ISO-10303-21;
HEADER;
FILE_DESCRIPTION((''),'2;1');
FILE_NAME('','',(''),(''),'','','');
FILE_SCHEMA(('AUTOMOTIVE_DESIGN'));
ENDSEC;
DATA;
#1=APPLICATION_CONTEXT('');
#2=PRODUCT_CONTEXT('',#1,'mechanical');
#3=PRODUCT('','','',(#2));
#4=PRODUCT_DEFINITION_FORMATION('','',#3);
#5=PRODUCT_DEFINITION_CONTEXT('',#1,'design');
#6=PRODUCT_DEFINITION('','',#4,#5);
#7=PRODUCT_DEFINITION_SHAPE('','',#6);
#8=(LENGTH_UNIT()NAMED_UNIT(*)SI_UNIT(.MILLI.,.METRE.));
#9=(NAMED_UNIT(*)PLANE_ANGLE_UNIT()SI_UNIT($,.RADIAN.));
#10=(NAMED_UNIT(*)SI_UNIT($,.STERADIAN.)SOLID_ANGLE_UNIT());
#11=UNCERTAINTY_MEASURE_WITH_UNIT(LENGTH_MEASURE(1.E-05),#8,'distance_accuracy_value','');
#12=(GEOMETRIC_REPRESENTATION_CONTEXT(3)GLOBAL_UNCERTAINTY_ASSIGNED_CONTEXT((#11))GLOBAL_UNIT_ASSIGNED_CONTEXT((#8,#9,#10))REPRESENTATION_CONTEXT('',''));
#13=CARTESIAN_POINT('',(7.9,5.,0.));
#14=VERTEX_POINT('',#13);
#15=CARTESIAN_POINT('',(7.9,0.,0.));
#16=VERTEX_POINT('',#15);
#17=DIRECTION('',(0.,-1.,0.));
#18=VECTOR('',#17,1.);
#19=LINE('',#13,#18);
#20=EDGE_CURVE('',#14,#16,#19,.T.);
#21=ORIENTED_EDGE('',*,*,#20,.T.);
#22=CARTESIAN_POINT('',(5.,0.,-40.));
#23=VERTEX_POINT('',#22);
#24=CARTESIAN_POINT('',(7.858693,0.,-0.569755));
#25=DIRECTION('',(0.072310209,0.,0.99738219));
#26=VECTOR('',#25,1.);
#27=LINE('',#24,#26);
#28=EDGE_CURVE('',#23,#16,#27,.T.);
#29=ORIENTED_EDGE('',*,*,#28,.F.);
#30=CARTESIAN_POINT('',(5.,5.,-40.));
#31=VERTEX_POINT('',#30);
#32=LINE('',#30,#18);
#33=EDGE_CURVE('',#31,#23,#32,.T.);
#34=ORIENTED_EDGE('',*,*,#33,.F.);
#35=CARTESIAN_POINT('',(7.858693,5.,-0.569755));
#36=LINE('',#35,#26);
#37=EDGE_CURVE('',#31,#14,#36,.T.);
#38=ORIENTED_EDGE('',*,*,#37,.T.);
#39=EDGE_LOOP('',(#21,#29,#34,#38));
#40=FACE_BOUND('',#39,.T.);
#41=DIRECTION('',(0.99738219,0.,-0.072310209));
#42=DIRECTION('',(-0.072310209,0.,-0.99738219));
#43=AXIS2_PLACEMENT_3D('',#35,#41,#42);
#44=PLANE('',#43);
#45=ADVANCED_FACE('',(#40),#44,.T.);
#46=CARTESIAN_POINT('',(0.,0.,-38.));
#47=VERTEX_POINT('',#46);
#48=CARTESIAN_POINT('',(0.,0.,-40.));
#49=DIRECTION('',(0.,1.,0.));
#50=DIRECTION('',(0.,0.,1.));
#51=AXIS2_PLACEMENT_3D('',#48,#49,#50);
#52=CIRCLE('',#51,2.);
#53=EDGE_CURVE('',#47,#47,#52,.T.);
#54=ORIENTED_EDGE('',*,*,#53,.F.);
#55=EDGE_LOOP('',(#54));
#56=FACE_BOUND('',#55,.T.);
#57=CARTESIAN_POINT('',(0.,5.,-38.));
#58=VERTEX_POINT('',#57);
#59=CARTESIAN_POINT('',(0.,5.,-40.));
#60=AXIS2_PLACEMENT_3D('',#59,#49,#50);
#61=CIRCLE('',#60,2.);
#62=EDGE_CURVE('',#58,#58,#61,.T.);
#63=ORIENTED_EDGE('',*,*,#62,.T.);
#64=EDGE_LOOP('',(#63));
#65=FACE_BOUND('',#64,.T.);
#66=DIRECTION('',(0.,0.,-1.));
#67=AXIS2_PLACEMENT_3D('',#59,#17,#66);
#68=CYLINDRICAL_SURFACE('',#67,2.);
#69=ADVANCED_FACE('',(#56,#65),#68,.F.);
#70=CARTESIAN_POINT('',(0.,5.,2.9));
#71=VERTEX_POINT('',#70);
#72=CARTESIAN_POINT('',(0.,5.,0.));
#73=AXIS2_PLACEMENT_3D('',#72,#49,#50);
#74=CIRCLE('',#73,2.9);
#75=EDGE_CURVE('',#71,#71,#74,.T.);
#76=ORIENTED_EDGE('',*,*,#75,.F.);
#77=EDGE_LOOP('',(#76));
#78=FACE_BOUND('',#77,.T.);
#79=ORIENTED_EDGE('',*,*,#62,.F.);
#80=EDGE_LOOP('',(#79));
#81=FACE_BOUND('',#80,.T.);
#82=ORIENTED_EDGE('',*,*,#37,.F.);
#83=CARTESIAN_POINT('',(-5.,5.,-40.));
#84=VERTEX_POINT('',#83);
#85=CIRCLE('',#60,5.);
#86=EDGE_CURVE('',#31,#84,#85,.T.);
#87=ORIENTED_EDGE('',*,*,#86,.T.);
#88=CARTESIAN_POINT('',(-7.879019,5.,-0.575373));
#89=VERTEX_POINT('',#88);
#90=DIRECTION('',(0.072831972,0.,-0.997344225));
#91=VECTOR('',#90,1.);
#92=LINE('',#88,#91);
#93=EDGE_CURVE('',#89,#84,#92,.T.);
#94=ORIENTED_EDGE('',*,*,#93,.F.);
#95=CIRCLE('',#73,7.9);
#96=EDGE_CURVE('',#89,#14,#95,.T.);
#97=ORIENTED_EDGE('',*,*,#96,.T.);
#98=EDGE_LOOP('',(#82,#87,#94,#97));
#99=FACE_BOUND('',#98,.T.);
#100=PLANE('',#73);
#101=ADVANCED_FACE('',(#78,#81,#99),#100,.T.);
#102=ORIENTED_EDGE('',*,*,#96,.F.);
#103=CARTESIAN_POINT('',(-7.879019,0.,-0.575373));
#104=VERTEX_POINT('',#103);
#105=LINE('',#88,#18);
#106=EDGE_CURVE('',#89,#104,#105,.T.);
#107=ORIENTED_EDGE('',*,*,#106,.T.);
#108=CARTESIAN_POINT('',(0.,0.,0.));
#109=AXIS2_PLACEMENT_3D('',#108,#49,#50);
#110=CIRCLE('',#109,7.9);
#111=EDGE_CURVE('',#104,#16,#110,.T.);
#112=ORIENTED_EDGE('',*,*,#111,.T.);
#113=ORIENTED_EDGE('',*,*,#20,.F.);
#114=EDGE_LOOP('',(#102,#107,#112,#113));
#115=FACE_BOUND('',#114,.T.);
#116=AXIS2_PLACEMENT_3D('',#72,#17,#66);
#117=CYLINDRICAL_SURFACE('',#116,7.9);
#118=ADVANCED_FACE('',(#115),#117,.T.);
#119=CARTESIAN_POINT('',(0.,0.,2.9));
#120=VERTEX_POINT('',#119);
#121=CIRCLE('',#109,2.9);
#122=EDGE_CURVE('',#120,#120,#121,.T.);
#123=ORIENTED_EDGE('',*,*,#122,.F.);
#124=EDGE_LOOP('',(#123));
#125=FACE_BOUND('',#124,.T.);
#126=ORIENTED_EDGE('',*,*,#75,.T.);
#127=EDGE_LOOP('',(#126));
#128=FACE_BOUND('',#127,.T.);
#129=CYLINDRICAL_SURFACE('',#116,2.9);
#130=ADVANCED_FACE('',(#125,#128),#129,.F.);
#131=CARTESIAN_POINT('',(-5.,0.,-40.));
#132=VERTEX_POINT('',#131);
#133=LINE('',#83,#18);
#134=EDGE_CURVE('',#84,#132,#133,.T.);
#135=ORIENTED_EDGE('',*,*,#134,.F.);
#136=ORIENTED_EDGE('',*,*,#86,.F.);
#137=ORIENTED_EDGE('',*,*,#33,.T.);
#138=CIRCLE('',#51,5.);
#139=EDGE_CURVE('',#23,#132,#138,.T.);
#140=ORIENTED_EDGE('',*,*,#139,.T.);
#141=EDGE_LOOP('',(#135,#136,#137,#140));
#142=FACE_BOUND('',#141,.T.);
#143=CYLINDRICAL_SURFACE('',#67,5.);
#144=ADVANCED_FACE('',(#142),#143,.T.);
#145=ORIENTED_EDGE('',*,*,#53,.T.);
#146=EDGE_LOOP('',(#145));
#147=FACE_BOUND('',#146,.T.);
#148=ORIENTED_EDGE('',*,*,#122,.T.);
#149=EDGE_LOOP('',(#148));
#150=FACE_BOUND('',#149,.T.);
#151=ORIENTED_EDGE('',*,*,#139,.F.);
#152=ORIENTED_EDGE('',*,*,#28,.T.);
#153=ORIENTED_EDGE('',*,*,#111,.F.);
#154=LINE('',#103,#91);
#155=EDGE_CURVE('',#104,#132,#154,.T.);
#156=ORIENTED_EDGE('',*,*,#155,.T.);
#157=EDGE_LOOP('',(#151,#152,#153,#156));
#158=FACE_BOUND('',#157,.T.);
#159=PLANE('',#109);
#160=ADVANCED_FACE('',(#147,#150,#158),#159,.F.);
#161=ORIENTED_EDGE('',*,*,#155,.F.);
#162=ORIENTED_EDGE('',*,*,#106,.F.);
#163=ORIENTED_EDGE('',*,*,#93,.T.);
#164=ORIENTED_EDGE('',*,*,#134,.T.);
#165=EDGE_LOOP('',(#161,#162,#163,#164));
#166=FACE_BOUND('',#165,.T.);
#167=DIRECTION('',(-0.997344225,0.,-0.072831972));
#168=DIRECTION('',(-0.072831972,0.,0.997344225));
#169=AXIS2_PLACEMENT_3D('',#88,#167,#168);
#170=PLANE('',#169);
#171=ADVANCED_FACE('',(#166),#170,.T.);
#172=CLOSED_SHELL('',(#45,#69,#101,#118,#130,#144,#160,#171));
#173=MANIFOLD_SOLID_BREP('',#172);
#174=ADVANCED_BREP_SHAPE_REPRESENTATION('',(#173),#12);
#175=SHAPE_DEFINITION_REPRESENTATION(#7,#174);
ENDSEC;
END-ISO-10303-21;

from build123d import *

# Parameters (mm, degrees)
SKETCH1_R           = 2.9
SKETCH1_R_2         = 2
BOSS_EXTRUDE1_DEPTH = 5


with BuildPart() as part:
    # Sketch1 → Boss-Extrude1 (new body)
    with BuildSketch(Plane(origin=(0, 0, 0), x_dir=(1, 0, 0), z_dir=(0, 1, 0))):
        with BuildLine():
            Line((-5, 40), (-7.87901938, 0.575372577))
            ThreePointArc((-7.87901938, 0.575372577), (-0.287877487, -7.894753103), (7.9, 0))
            Line((7.9, 0), (7.817385493, 1.139510448))
            Line((7.817385493, 1.139510448), (5, 40))
            ThreePointArc((5, 40), (0, 45), (-5, 40))
        make_face()
        with Locations(Location((0, 0, 0), (0, 0, 270))):
            Circle(SKETCH1_R, mode=Mode.SUBTRACT)
        with Locations(Location((0, 40, 0), (0, 0, 270))):
            Circle(SKETCH1_R_2, mode=Mode.SUBTRACT)
    extrude(amount=BOSS_EXTRUDE1_DEPTH)


solid = part.part
